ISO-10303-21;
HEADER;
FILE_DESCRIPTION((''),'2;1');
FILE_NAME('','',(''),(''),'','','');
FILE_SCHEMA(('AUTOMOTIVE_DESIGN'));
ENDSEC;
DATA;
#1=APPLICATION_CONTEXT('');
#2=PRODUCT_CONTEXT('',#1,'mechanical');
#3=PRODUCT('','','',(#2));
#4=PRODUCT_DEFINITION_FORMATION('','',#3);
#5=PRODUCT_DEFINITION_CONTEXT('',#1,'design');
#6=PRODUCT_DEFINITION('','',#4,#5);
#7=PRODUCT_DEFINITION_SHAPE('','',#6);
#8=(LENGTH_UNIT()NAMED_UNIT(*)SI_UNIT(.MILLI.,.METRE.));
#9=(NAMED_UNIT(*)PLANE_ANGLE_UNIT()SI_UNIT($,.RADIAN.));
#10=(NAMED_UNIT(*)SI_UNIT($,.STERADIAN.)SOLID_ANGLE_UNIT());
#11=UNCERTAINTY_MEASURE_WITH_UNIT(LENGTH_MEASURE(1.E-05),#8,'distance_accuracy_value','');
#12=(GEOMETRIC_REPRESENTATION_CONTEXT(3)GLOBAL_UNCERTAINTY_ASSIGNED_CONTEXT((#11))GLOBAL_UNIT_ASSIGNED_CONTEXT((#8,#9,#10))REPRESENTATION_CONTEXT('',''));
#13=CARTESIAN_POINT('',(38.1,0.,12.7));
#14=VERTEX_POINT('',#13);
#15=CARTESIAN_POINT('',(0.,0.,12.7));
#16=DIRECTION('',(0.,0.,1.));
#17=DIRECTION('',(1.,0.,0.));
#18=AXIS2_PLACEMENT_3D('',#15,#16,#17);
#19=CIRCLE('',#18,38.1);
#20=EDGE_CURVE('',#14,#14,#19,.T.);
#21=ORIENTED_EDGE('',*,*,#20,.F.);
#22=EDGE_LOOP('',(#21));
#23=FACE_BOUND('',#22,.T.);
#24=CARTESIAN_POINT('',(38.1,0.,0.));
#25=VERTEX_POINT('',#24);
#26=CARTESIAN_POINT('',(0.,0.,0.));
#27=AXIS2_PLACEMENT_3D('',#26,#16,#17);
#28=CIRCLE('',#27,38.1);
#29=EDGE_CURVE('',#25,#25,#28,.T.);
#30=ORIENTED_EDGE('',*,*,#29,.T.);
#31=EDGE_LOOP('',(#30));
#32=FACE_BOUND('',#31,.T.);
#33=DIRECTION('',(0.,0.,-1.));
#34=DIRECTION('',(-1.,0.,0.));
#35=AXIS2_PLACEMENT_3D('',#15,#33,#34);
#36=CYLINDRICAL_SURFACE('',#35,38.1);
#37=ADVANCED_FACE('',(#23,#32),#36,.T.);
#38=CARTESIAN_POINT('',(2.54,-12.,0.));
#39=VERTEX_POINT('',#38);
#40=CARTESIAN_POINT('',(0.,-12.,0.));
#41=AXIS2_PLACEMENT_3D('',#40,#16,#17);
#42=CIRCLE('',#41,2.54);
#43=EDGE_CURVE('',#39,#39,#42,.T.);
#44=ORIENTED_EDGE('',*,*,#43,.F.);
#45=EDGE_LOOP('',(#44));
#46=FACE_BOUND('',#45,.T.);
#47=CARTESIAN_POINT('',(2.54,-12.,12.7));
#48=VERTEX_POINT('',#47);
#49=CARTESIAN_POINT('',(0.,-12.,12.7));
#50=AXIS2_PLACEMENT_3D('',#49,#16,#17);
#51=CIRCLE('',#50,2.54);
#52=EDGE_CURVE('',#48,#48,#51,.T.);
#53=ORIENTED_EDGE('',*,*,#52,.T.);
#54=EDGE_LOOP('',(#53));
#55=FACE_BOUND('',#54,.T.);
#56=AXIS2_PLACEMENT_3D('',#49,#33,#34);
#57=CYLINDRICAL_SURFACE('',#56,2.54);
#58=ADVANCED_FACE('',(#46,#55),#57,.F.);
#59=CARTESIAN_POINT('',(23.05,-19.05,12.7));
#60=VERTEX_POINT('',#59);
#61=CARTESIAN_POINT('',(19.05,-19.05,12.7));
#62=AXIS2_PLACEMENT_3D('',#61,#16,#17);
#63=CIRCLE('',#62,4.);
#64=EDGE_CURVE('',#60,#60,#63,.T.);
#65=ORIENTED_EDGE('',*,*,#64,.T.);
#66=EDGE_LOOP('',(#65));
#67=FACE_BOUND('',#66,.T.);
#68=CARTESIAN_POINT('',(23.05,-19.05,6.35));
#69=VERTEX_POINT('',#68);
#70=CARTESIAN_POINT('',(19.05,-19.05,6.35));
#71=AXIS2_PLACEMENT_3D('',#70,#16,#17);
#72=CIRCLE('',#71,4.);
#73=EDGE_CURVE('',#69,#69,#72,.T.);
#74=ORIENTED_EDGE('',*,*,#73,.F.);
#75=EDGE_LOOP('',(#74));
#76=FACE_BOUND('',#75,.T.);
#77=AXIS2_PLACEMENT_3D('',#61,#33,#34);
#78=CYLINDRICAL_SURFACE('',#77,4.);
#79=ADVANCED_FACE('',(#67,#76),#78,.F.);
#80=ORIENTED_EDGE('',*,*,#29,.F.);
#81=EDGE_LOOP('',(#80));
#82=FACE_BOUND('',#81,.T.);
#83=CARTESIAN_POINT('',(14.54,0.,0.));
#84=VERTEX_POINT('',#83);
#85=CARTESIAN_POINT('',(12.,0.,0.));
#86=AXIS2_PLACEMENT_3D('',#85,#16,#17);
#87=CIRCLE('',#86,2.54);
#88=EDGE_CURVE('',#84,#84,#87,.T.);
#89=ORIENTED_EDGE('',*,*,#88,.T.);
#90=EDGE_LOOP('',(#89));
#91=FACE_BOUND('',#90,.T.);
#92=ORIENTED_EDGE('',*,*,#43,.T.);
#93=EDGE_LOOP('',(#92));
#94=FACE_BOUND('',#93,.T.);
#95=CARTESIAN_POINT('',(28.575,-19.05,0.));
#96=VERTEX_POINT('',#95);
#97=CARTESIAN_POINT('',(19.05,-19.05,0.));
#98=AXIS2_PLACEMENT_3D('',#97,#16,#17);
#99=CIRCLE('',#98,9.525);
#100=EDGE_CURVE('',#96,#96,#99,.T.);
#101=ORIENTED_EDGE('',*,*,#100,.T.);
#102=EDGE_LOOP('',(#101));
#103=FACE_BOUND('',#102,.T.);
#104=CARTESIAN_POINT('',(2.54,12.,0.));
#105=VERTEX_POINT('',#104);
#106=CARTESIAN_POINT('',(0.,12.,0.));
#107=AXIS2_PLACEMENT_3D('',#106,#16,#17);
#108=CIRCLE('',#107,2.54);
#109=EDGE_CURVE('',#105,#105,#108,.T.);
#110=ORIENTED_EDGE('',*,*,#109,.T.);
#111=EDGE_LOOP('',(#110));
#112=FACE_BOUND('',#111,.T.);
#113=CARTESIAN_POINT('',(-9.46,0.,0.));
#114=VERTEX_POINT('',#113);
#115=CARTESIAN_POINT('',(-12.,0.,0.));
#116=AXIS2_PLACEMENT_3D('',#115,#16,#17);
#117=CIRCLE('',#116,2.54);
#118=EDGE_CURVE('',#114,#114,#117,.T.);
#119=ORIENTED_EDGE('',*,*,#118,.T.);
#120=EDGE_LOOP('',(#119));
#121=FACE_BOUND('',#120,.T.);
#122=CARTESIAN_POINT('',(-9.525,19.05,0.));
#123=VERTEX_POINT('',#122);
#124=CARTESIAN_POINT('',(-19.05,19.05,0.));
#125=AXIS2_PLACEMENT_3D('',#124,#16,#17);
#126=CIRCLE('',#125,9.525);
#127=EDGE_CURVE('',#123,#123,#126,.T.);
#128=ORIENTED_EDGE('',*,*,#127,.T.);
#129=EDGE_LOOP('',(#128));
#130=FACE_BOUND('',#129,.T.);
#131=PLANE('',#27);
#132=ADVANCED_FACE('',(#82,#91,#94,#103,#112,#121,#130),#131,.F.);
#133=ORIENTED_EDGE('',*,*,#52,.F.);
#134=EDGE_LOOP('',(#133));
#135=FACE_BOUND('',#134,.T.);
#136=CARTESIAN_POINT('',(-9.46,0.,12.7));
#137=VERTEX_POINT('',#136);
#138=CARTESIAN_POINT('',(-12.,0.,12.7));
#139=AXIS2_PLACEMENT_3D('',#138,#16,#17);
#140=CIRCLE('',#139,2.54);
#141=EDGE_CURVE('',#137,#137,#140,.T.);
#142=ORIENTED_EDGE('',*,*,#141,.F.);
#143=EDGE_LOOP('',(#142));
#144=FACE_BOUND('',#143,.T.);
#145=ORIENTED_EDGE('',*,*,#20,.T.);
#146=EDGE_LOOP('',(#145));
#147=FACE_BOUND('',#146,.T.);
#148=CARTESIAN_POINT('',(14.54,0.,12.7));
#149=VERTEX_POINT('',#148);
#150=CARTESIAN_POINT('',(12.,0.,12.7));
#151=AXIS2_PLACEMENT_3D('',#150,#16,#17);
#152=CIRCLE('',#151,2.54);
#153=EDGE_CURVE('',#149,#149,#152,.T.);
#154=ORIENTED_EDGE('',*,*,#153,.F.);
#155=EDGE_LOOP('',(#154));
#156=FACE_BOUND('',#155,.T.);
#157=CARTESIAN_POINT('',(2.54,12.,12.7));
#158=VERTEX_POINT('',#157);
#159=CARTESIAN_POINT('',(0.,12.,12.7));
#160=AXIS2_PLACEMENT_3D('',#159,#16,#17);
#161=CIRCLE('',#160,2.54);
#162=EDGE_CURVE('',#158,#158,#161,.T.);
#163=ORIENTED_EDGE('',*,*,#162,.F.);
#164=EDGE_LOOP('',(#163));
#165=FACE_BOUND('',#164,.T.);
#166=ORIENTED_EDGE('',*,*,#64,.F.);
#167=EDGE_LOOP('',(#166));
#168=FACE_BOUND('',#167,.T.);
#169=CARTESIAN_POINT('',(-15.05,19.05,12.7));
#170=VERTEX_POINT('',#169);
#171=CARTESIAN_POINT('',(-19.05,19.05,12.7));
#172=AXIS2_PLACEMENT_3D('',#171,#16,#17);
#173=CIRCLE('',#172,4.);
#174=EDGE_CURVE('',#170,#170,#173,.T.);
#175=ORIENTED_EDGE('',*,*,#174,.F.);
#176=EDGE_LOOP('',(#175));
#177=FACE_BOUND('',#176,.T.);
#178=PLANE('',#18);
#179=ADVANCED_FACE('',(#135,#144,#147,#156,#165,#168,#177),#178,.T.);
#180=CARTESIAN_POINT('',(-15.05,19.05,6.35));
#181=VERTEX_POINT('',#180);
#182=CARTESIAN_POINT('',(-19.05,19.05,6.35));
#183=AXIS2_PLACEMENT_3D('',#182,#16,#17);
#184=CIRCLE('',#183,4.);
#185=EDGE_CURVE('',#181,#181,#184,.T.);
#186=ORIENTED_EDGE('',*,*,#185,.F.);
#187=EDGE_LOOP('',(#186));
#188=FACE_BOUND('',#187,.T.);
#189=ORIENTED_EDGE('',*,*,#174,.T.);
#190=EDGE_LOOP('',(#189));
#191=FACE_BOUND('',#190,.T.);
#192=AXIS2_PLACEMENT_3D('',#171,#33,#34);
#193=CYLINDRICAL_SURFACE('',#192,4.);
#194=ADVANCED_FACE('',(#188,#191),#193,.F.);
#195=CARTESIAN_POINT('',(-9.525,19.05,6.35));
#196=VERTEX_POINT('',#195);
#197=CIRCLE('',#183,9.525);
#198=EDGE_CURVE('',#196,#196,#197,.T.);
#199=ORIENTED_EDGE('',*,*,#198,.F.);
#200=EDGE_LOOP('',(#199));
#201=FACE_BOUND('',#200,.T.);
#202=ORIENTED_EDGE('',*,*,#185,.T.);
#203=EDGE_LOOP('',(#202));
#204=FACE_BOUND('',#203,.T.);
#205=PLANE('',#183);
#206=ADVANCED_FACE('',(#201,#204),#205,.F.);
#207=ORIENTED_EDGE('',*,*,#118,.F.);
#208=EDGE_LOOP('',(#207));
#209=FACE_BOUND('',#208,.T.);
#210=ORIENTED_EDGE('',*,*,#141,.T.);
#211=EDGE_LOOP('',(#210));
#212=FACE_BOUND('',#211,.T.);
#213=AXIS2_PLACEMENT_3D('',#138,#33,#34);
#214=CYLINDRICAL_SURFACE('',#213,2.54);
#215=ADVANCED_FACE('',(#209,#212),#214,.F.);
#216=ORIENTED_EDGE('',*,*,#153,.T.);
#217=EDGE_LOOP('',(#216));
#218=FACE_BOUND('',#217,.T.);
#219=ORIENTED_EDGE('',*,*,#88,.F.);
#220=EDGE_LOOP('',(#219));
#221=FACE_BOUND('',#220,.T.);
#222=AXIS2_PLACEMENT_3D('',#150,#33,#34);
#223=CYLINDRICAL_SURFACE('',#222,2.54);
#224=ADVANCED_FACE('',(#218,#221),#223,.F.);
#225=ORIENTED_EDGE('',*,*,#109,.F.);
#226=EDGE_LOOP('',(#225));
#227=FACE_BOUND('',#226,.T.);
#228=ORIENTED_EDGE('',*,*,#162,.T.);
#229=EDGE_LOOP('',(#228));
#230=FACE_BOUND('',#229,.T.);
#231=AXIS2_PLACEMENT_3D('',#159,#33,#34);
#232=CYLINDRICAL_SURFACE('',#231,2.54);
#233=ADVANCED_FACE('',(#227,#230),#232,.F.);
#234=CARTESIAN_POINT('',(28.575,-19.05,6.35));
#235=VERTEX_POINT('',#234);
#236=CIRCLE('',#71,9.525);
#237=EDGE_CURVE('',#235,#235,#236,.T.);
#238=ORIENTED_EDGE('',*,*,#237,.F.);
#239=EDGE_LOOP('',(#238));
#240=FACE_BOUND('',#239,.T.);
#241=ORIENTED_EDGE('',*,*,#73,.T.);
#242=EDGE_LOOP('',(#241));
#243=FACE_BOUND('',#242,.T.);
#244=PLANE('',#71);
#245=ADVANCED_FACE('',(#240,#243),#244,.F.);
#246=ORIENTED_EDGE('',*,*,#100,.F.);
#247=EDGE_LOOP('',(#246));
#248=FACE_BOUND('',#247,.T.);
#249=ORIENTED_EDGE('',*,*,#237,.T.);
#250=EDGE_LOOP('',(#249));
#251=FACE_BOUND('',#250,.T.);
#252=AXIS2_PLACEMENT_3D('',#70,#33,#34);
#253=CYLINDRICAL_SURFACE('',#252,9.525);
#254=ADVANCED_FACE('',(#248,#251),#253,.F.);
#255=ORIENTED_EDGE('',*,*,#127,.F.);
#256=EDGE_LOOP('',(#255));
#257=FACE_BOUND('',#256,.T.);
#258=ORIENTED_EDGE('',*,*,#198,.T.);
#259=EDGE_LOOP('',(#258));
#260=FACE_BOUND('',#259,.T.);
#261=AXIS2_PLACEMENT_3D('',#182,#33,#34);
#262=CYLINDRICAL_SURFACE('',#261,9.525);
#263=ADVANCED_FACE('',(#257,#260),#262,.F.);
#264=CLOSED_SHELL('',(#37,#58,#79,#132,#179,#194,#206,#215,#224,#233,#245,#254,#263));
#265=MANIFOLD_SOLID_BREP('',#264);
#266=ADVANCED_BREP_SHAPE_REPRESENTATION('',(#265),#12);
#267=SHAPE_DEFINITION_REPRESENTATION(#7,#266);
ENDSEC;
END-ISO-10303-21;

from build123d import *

# Parameters (mm, degrees)
SKETCH1_R           = 38.1
SKETCH1_R_2         = 2.54
BOSS_EXTRUDE1_DEPTH = 12.7
SKETCH2_R           = 4
CUT_EXTRUDE1_DEPTH  = 56.358016583
SKETCH3_R           = 9.525
CUT_EXTRUDE2_DEPTH  = 6.35
SKETCH4_R           = 4
CUT_EXTRUDE3_DEPTH  = 56.358016583
SKETCH5_R           = 9.525
CUT_EXTRUDE5_DEPTH  = 6.35


with BuildPart() as part:
    # Sketch1 → Boss-Extrude1 (new body)
    with BuildSketch(Plane.XY):
        Circle(SKETCH1_R)
        with Locations((12, 0)):
            Circle(SKETCH1_R_2, mode=Mode.SUBTRACT)
        with Locations((0, -12)):
            Circle(SKETCH1_R_2, mode=Mode.SUBTRACT)
        with Locations((-12, 0)):
            Circle(SKETCH1_R_2, mode=Mode.SUBTRACT)
        with Locations((0, 12)):
            Circle(SKETCH1_R_2, mode=Mode.SUBTRACT)
    extrude(amount=BOSS_EXTRUDE1_DEPTH)

    # Sketch2 → Cut-Extrude1 (cut, through all)
    with BuildSketch(Plane.XY):
        with Locations((19.05, -19.05)):
            Circle(SKETCH2_R)
    extrude(amount=CUT_EXTRUDE1_DEPTH, mode=Mode.SUBTRACT)

    # Sketch3 → Cut-Extrude2 (cut)
    with BuildSketch(Plane.XY):
        with Locations((19.05, -19.05)):
            Circle(SKETCH3_R)
    extrude(amount=CUT_EXTRUDE2_DEPTH, mode=Mode.SUBTRACT)

    # Sketch4 → Cut-Extrude3 (cut, through all)
    with BuildSketch(Plane.XY):
        with Locations((-19.05, 19.05)):
            Circle(SKETCH4_R)
    extrude(amount=CUT_EXTRUDE3_DEPTH, mode=Mode.SUBTRACT)

    # Sketch5 → Cut-Extrude5 (cut)
    with BuildSketch(Plane.XY):
        with Locations((-19.05, 19.05)):
            Circle(SKETCH5_R)
    extrude(amount=CUT_EXTRUDE5_DEPTH, mode=Mode.SUBTRACT)


solid = part.part
